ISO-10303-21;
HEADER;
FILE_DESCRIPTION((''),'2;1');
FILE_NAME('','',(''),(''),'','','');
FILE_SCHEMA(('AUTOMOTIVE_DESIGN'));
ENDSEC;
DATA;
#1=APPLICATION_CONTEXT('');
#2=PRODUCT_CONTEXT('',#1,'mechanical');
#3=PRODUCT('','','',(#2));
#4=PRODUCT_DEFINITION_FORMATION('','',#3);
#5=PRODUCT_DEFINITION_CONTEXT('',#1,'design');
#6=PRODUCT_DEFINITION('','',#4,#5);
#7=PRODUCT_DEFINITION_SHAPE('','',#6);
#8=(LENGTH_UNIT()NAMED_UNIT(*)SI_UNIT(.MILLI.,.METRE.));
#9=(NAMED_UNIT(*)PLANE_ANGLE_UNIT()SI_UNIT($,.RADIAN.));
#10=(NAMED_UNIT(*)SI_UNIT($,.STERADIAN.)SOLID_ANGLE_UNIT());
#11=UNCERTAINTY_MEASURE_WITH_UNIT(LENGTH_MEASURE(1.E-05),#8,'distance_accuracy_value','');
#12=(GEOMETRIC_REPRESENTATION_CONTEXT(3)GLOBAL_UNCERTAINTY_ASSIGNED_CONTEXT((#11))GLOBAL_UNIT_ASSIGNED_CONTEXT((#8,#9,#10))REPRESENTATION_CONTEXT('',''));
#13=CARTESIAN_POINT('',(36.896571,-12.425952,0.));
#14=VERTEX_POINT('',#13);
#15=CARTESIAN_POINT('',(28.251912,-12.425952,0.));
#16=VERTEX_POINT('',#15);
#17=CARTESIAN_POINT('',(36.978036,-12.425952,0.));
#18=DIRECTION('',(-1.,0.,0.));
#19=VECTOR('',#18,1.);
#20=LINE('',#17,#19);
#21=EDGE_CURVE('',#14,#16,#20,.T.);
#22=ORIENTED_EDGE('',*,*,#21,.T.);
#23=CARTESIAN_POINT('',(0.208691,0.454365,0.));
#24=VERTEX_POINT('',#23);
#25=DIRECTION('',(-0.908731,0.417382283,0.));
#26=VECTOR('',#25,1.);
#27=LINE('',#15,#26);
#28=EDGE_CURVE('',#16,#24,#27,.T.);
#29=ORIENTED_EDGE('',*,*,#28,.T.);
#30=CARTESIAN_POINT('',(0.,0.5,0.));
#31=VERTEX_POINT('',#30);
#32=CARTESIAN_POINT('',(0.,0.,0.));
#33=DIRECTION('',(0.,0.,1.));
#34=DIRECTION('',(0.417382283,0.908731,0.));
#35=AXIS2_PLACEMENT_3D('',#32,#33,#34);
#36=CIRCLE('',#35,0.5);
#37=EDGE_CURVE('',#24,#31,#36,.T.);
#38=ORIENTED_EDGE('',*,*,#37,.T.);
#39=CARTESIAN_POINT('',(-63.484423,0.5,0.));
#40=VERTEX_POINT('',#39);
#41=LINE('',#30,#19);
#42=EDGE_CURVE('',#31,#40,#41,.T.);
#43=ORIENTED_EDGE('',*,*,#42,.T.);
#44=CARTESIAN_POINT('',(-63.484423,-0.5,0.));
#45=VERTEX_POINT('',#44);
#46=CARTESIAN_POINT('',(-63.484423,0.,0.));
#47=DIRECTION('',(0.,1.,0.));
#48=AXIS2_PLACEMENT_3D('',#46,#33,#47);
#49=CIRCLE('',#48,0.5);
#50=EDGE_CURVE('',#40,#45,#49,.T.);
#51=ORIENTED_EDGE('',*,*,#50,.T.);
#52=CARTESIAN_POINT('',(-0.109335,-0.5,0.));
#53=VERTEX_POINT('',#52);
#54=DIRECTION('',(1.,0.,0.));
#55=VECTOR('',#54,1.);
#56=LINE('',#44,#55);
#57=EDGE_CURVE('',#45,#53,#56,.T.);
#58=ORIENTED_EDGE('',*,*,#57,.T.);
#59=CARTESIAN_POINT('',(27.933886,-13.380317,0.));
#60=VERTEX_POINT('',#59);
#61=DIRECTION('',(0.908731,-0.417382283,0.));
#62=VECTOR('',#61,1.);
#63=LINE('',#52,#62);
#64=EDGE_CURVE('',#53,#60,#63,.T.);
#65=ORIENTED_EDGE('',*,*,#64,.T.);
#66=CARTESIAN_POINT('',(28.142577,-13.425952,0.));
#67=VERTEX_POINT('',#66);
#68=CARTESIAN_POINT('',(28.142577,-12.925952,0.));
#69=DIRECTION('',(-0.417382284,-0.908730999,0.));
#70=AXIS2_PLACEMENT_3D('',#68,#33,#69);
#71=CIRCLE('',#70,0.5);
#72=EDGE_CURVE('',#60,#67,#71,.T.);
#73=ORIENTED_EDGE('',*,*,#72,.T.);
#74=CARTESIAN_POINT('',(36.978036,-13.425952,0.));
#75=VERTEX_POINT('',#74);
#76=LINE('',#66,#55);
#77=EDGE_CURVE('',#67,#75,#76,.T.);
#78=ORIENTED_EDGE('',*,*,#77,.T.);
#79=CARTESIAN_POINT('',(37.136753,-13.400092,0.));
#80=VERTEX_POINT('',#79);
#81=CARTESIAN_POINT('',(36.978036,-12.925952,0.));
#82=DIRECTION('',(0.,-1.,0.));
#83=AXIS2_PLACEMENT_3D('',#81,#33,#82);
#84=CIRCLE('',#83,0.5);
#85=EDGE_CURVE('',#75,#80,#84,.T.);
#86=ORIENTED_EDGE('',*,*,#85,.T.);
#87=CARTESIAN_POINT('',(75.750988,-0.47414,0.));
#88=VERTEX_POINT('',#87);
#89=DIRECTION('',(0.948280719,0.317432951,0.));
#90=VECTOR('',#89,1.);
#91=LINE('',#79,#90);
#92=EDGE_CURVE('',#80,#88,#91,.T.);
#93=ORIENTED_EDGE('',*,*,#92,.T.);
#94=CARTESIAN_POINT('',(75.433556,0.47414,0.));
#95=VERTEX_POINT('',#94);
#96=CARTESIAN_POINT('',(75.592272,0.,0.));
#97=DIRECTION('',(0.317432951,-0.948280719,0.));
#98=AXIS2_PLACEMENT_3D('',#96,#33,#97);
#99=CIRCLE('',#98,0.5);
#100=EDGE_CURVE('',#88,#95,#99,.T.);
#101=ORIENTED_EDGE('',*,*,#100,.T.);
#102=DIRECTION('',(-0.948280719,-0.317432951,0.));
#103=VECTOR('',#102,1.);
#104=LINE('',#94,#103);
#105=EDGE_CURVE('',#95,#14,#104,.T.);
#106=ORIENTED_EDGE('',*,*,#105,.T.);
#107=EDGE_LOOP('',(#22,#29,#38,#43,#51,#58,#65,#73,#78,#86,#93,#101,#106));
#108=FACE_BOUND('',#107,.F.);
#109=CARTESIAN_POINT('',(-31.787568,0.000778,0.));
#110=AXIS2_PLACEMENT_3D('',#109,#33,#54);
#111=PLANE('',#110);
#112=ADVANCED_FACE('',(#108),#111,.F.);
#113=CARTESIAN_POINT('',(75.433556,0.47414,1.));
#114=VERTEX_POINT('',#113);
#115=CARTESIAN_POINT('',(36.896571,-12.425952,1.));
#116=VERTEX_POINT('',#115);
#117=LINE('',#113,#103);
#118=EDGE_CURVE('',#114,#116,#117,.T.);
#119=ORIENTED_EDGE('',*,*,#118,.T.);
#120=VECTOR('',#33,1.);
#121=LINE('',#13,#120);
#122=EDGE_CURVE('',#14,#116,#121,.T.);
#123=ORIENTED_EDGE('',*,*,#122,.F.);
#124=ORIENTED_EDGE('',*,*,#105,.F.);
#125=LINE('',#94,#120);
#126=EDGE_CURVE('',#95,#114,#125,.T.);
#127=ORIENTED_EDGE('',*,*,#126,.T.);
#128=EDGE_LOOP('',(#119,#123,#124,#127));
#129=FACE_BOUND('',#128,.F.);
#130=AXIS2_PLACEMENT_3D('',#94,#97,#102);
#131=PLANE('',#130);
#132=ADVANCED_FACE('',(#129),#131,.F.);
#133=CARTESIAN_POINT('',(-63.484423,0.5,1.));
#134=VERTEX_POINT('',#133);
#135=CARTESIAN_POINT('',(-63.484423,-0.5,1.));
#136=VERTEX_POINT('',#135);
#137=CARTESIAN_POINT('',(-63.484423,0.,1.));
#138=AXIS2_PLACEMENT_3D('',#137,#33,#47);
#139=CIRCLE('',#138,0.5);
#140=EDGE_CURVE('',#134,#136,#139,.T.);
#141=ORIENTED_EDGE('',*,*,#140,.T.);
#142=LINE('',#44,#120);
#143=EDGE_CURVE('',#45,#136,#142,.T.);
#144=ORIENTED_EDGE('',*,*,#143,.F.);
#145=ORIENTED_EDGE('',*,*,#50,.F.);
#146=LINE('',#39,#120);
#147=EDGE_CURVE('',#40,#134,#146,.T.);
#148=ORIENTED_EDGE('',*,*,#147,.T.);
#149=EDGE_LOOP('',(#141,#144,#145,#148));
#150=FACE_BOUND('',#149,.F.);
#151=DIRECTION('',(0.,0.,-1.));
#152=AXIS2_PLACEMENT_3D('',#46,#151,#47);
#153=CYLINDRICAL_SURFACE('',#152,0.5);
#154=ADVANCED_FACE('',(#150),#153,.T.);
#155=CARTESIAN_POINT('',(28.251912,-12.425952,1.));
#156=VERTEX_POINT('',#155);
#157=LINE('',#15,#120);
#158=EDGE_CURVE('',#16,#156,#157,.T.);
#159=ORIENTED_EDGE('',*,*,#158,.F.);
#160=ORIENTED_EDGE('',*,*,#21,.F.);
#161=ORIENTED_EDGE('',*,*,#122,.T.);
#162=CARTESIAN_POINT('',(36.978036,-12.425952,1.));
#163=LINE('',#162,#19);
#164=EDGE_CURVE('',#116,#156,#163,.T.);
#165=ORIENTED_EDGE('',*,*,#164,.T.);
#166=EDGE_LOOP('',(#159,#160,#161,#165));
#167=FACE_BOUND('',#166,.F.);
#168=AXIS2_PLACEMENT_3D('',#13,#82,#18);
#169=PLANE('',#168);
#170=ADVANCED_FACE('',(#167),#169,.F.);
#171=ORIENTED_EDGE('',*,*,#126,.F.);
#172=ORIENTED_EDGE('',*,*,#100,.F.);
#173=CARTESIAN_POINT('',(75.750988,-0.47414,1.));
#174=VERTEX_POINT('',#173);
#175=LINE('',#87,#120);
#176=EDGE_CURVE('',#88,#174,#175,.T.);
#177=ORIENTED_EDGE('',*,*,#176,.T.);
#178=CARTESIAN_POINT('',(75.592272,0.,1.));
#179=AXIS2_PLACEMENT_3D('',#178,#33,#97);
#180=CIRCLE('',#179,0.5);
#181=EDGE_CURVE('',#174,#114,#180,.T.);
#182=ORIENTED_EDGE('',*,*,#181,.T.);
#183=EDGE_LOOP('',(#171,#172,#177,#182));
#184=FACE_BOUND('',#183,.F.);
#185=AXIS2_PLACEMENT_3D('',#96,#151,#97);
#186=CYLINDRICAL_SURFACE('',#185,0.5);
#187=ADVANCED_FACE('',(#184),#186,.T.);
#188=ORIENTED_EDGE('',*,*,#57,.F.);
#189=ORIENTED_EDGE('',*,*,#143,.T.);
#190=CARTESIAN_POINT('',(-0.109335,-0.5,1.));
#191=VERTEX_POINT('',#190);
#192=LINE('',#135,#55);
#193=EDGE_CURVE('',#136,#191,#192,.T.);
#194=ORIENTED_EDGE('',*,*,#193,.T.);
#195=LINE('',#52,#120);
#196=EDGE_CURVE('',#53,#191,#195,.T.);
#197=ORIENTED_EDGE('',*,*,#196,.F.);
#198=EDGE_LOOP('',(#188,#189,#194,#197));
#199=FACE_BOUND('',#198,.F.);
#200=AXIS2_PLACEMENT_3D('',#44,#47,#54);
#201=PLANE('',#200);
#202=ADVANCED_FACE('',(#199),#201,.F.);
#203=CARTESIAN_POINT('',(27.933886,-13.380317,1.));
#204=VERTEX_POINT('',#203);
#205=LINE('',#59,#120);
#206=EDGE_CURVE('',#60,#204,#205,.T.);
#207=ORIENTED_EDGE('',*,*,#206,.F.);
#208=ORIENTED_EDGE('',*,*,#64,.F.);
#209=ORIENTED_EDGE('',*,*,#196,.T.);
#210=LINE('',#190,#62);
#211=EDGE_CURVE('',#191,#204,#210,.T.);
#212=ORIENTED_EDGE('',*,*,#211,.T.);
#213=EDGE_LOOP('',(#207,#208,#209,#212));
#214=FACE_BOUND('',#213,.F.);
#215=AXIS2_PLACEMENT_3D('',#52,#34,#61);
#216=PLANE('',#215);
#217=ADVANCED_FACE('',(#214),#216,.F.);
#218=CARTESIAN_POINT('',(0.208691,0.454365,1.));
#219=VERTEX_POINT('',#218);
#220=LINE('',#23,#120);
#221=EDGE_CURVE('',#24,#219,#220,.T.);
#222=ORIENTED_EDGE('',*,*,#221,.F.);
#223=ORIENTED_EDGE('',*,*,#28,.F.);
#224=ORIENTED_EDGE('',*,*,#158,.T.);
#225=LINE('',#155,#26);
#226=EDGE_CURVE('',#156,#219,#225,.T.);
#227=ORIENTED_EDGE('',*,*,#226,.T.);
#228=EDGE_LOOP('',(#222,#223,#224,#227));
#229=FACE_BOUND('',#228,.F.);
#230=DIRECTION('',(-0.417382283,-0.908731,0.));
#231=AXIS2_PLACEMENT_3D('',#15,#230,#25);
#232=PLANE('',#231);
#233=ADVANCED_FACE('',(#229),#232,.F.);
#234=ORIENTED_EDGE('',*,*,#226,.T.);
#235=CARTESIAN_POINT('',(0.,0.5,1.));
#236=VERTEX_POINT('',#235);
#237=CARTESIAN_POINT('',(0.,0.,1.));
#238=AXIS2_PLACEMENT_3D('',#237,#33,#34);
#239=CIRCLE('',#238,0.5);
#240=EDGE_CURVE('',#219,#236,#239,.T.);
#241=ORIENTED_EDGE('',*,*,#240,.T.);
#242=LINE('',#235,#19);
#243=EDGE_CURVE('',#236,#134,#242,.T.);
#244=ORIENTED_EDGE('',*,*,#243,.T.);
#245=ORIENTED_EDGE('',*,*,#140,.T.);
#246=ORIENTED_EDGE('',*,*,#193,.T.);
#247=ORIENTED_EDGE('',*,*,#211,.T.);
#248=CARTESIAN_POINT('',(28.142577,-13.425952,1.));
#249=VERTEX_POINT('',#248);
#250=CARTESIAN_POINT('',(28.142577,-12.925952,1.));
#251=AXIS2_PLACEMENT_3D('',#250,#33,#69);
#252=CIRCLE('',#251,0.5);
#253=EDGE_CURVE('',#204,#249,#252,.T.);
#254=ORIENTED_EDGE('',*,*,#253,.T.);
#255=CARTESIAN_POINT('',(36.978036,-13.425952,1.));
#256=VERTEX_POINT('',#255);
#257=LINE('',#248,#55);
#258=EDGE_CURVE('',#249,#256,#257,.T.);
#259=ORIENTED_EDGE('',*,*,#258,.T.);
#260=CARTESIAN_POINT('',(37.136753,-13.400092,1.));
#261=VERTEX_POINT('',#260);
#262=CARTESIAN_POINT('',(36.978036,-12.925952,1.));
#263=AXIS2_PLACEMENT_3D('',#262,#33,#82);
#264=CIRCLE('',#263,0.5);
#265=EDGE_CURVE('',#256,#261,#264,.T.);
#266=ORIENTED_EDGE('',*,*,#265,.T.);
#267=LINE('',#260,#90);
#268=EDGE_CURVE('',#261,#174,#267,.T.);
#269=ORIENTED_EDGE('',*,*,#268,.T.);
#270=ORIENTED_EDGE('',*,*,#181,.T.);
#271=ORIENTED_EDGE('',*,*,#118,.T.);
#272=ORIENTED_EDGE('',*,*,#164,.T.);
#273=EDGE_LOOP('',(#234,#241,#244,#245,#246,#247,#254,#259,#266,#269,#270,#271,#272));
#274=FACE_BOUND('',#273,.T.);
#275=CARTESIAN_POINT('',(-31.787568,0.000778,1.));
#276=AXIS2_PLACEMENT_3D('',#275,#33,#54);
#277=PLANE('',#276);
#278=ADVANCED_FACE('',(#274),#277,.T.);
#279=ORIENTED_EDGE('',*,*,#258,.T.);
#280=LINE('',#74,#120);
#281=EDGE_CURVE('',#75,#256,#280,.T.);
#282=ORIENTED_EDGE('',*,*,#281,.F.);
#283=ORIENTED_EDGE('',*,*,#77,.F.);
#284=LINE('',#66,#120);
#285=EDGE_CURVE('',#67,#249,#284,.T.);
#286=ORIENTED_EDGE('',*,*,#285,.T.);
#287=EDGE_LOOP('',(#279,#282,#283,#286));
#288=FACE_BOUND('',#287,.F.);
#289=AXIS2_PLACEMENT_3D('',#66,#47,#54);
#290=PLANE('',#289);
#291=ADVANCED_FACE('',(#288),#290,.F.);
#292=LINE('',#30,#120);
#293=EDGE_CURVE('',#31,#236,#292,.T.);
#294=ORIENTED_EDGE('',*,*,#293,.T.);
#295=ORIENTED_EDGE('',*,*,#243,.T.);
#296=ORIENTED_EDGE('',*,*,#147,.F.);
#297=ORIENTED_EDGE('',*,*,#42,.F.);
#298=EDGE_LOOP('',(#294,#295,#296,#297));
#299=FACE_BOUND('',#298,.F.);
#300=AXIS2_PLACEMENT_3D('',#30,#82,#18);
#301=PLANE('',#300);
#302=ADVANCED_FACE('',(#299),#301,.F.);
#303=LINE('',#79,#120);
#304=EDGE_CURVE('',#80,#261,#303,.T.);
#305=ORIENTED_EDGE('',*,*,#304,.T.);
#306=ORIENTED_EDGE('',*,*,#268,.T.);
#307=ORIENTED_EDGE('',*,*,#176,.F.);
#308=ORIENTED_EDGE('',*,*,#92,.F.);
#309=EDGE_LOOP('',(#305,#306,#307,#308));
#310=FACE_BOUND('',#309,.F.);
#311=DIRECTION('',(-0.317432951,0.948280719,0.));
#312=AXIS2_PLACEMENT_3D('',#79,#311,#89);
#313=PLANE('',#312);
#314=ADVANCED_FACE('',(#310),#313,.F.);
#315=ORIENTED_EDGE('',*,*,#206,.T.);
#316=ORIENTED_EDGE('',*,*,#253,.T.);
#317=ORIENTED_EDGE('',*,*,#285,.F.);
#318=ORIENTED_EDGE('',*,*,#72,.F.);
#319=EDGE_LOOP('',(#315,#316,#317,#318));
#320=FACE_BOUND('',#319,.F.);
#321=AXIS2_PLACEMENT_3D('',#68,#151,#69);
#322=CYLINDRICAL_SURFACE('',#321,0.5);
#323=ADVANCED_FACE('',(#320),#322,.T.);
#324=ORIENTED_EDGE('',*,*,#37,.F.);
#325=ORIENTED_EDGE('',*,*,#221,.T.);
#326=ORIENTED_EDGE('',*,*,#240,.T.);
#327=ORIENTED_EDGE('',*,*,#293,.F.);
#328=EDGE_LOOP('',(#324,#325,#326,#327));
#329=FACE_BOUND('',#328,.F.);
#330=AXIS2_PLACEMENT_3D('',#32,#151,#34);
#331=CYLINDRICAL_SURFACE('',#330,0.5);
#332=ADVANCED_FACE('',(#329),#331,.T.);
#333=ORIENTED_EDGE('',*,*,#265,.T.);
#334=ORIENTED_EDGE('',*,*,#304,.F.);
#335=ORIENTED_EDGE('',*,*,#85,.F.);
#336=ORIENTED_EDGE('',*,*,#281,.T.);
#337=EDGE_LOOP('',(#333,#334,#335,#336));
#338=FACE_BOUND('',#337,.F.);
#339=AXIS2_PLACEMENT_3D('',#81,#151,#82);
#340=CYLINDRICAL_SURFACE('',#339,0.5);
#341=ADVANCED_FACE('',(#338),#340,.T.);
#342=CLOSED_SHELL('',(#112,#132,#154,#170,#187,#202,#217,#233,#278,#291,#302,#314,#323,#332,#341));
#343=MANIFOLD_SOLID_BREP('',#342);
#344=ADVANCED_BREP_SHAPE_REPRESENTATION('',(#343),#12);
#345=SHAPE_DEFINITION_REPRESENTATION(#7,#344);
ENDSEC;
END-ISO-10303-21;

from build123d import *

# Parameters (mm, degrees)
F1_DEPTH = 1


with BuildPart() as f1:
    # F0 (on Top) → F1 (new body)
    with BuildSketch(Plane.XY):
        with BuildLine():
            ThreePointArc((-0.2086911414, -0.4543654999), (-0.4209189772, -0.2698651786), (-0.5, 0))
            ThreePointArc((-0.5, 0), (-0.3535533906, 0.3535533906), (0, 0.5))
            Line((0, 0.5), (-63.4844228625, 0.5))
            ThreePointArc((-63.4844228625, 0.5), (-63.9844228625, 0), (-63.4844228625, -0.5))
            Line((-63.4844228625, -0.5), (-0.1093350197, -0.5))
            Line((-0.1093350197, -0.5), (-0.2086911414, -0.4543654999))
        make_face()
        with BuildLine():
            ThreePointArc((0, 0.5), (-0.3535533906, 0.3535533906), (-0.5, 0))
            Line((-0.5, 0), (0, 0))
            Line((0, 0), (0.4543654999, -0.2086911414))
            ThreePointArc((0.4543654999, -0.2086911414), (0.4688518474, 0.1737180048), (0.2086911414, 0.4543654999))
            ThreePointArc((0.2086911414, 0.4543654999), (0.1068111653, 0.4884581609), (0, 0.5))
        make_face()
        with BuildLine():
            Line((0, 0), (-0.5, 0))
            ThreePointArc((-0.5, 0), (-0.4209189772, -0.2698651786), (-0.2086911414, -0.4543654999))
            Line((-0.2086911414, -0.4543654999), (-0.1093350197, -0.5))
            Line((-0.1093350197, -0.5), (0, -0.5))
            ThreePointArc((0, -0.5), (0.2698651786, -0.4209189772), (0.4543654999, -0.2086911414))
            Line((0.4543654999, -0.2086911414), (0, 0))
        make_face()
        with BuildLine():
            Line((27.6882115373, -12.7172606002), (0.4543654999, -0.2086911414))
            ThreePointArc((0.4543654999, -0.2086911414), (0.2698651786, -0.4209189772), (0, -0.5))
            Line((0, -0.5), (-0.1093350197, -0.5))
            Line((-0.1093350197, -0.5), (27.9338858958, -13.3803172415))
            ThreePointArc((27.9338858958, -13.3803172415), (27.6737251898, -13.0996697465), (27.6882115373, -12.7172606002))
        make_face()
        with BuildLine():
            ThreePointArc((0.2086911414, 0.4543654999), (0.4688518474, 0.1737180048), (0.4543654999, -0.2086911414))
            Line((0.4543654999, -0.2086911414), (27.6882115373, -12.7172606002))
            ThreePointArc((27.6882115373, -12.7172606002), (27.8727118586, -12.5050327644), (28.1425770372, -12.4259517416))
            Line((28.1425770372, -12.4259517416), (28.2519120569, -12.4259517416))
            Line((28.2519120569, -12.4259517416), (0.2086911414, 0.4543654999))
        make_face()
        with BuildLine():
            Line((28.1425770372, -12.9259517416), (27.6882115373, -12.7172606002))
            ThreePointArc((27.6882115373, -12.7172606002), (27.6737251898, -13.0996697465), (27.9338858958, -13.3803172415))
            ThreePointArc((27.9338858958, -13.3803172415), (28.0357658719, -13.4144099026), (28.1425770372, -13.4259517416))
            ThreePointArc((28.1425770372, -13.4259517416), (28.4961304278, -13.2795051322), (28.6425770372, -12.9259517416))
            Line((28.6425770372, -12.9259517416), (28.1425770372, -12.9259517416))
        make_face()
        with BuildLine():
            ThreePointArc((28.1425770372, -12.4259517416), (27.8727118586, -12.5050327644), (27.6882115373, -12.7172606002))
            Line((27.6882115373, -12.7172606002), (28.1425770372, -12.9259517416))
            Line((28.1425770372, -12.9259517416), (28.6425770372, -12.9259517416))
            ThreePointArc((28.6425770372, -12.9259517416), (28.5634960144, -12.656086563), (28.3512681786, -12.4715862417))
            Line((28.3512681786, -12.4715862417), (28.2519120569, -12.4259517416))
            Line((28.2519120569, -12.4259517416), (28.1425770372, -12.4259517416))
        make_face()
        with BuildLine():
            Line((36.8965712748, -12.4259517416), (28.2519120569, -12.4259517416))
            Line((28.2519120569, -12.4259517416), (28.3512681786, -12.4715862417))
            ThreePointArc((28.3512681786, -12.4715862417), (28.5634960144, -12.656086563), (28.6425770372, -12.9259517416))
            Line((28.6425770372, -12.9259517416), (36.4780361652, -12.9259517416))
            ThreePointArc((36.4780361652, -12.9259517416), (36.5722294146, -12.6338543586), (36.8193196899, -12.4518113822))
            Line((36.8193196899, -12.4518113822), (36.8965712748, -12.4259517416))
        make_face()
        with BuildLine():
            ThreePointArc((28.6425770372, -12.9259517416), (28.4961304278, -13.2795051322), (28.1425770372, -13.4259517416))
            Line((28.1425770372, -13.4259517416), (36.9780361652, -13.4259517416))
            ThreePointArc((36.9780361652, -13.4259517416), (36.6244827746, -13.2795051322), (36.4780361652, -12.9259517416))
            Line((36.4780361652, -12.9259517416), (28.6425770372, -12.9259517416))
        make_face()
        with BuildLine():
            ThreePointArc((36.4780361652, -12.9259517416), (36.6244827746, -13.2795051322), (36.9780361652, -13.4259517416))
            ThreePointArc((36.9780361652, -13.4259517416), (37.0584408301, -13.4194444871), (37.1367526405, -13.4000921011))
            ThreePointArc((37.1367526405, -13.4000921011), (37.4255335246, -13.1489901091), (37.4521765247, -12.7672352663))
            Line((37.4521765247, -12.7672352663), (36.9780361652, -12.9259517416))
            Line((36.9780361652, -12.9259517416), (36.4780361652, -12.9259517416))
        make_face()
        with BuildLine():
            Line((36.9780361652, -12.4259517416), (36.8965712748, -12.4259517416))
            Line((36.8965712748, -12.4259517416), (36.8193196899, -12.4518113822))
            ThreePointArc((36.8193196899, -12.4518113822), (36.5722294146, -12.6338543586), (36.4780361652, -12.9259517416))
            Line((36.4780361652, -12.9259517416), (36.9780361652, -12.9259517416))
            Line((36.9780361652, -12.9259517416), (37.4521765247, -12.7672352663))
            ThreePointArc((37.4521765247, -12.7672352663), (37.2701335483, -12.520144991), (36.9780361652, -12.4259517416))
        make_face()
        with BuildLine():
            Line((75.4335555083, 0.4741403595), (36.8965712748, -12.4259517416))
            Line((36.8965712748, -12.4259517416), (36.9780361652, -12.4259517416))
            ThreePointArc((36.9780361652, -12.4259517416), (37.2701335483, -12.520144991), (37.4521765247, -12.7672352663))
            ThreePointArc((37.4521765247, -12.7672352663), (37.4255335246, -13.1489901091), (37.1367526405, -13.4000921011))
            Line((37.1367526405, -13.4000921011), (75.7509884589, -0.4741403595))
            ThreePointArc((75.7509884589, -0.4741403595), (76.0664123431, 0.1587164753), (75.4335555083, 0.4741403595))
        make_face()
    extrude(amount=F1_DEPTH)


solid = f1.part
